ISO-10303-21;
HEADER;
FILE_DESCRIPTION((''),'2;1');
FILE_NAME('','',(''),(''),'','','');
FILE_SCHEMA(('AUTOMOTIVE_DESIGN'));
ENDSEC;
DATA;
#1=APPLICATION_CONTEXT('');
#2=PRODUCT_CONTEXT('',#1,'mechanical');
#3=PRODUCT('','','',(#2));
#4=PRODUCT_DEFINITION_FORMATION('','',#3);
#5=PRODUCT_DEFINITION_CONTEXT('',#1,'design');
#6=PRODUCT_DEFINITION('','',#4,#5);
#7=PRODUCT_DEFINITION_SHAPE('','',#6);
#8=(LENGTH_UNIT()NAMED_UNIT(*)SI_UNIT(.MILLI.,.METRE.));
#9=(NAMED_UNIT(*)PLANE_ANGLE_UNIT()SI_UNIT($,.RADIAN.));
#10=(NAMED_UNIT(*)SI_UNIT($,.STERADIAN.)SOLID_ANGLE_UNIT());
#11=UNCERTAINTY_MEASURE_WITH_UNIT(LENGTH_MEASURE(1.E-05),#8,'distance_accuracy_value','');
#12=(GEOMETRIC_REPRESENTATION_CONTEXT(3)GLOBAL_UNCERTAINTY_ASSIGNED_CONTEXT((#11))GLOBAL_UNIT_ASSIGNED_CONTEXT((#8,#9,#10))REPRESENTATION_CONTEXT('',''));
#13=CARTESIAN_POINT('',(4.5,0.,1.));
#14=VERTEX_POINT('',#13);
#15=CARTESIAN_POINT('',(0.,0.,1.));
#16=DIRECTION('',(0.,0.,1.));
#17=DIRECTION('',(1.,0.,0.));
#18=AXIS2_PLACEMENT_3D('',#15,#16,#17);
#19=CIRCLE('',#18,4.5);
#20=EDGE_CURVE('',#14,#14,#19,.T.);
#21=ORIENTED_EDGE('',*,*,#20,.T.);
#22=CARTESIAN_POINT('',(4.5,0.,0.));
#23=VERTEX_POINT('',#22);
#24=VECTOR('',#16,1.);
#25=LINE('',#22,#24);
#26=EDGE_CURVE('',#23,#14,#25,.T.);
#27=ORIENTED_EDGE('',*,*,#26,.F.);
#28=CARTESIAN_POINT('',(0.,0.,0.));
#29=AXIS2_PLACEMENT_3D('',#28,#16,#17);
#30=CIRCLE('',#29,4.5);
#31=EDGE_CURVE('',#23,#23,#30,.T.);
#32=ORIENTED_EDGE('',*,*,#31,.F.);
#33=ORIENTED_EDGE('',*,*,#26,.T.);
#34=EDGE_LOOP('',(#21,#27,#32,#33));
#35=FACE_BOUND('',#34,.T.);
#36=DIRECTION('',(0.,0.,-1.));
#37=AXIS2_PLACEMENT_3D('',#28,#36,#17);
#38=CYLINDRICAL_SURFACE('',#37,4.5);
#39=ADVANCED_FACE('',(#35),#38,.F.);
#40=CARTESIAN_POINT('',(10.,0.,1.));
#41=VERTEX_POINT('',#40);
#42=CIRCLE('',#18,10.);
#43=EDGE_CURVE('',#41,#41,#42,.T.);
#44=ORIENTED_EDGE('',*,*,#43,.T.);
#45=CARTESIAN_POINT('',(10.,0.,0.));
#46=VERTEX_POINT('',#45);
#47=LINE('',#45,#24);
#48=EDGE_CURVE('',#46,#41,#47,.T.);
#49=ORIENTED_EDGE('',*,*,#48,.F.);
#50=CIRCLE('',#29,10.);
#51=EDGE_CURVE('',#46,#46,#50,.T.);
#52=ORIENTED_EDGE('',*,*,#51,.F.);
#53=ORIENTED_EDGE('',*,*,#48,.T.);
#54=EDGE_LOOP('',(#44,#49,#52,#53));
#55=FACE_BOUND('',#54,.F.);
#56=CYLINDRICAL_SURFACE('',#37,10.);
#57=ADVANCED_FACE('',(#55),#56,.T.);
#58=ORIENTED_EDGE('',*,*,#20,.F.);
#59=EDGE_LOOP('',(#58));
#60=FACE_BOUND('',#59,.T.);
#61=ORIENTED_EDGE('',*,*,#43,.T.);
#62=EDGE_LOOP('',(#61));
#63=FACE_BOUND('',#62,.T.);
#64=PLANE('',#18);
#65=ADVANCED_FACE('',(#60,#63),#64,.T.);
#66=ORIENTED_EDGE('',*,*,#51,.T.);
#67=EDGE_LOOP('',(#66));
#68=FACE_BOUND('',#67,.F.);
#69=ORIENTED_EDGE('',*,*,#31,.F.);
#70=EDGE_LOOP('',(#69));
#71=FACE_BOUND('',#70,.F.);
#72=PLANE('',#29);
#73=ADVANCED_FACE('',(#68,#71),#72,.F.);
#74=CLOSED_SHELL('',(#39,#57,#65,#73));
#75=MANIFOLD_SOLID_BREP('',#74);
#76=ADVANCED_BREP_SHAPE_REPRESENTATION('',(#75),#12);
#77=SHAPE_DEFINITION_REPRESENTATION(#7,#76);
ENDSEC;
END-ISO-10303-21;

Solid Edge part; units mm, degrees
sketch "Sketch1" plane through (0, 0, 0) normal (0, 0, 1) x (1, 0, 0)
  circle A0 centre (0, 0) radius 10
  circle A1 centre (0, 0) radius 4.5
extrude "Protrusion1" add sketch "Sketch1" along normal blind 1
properties material "Steel"
